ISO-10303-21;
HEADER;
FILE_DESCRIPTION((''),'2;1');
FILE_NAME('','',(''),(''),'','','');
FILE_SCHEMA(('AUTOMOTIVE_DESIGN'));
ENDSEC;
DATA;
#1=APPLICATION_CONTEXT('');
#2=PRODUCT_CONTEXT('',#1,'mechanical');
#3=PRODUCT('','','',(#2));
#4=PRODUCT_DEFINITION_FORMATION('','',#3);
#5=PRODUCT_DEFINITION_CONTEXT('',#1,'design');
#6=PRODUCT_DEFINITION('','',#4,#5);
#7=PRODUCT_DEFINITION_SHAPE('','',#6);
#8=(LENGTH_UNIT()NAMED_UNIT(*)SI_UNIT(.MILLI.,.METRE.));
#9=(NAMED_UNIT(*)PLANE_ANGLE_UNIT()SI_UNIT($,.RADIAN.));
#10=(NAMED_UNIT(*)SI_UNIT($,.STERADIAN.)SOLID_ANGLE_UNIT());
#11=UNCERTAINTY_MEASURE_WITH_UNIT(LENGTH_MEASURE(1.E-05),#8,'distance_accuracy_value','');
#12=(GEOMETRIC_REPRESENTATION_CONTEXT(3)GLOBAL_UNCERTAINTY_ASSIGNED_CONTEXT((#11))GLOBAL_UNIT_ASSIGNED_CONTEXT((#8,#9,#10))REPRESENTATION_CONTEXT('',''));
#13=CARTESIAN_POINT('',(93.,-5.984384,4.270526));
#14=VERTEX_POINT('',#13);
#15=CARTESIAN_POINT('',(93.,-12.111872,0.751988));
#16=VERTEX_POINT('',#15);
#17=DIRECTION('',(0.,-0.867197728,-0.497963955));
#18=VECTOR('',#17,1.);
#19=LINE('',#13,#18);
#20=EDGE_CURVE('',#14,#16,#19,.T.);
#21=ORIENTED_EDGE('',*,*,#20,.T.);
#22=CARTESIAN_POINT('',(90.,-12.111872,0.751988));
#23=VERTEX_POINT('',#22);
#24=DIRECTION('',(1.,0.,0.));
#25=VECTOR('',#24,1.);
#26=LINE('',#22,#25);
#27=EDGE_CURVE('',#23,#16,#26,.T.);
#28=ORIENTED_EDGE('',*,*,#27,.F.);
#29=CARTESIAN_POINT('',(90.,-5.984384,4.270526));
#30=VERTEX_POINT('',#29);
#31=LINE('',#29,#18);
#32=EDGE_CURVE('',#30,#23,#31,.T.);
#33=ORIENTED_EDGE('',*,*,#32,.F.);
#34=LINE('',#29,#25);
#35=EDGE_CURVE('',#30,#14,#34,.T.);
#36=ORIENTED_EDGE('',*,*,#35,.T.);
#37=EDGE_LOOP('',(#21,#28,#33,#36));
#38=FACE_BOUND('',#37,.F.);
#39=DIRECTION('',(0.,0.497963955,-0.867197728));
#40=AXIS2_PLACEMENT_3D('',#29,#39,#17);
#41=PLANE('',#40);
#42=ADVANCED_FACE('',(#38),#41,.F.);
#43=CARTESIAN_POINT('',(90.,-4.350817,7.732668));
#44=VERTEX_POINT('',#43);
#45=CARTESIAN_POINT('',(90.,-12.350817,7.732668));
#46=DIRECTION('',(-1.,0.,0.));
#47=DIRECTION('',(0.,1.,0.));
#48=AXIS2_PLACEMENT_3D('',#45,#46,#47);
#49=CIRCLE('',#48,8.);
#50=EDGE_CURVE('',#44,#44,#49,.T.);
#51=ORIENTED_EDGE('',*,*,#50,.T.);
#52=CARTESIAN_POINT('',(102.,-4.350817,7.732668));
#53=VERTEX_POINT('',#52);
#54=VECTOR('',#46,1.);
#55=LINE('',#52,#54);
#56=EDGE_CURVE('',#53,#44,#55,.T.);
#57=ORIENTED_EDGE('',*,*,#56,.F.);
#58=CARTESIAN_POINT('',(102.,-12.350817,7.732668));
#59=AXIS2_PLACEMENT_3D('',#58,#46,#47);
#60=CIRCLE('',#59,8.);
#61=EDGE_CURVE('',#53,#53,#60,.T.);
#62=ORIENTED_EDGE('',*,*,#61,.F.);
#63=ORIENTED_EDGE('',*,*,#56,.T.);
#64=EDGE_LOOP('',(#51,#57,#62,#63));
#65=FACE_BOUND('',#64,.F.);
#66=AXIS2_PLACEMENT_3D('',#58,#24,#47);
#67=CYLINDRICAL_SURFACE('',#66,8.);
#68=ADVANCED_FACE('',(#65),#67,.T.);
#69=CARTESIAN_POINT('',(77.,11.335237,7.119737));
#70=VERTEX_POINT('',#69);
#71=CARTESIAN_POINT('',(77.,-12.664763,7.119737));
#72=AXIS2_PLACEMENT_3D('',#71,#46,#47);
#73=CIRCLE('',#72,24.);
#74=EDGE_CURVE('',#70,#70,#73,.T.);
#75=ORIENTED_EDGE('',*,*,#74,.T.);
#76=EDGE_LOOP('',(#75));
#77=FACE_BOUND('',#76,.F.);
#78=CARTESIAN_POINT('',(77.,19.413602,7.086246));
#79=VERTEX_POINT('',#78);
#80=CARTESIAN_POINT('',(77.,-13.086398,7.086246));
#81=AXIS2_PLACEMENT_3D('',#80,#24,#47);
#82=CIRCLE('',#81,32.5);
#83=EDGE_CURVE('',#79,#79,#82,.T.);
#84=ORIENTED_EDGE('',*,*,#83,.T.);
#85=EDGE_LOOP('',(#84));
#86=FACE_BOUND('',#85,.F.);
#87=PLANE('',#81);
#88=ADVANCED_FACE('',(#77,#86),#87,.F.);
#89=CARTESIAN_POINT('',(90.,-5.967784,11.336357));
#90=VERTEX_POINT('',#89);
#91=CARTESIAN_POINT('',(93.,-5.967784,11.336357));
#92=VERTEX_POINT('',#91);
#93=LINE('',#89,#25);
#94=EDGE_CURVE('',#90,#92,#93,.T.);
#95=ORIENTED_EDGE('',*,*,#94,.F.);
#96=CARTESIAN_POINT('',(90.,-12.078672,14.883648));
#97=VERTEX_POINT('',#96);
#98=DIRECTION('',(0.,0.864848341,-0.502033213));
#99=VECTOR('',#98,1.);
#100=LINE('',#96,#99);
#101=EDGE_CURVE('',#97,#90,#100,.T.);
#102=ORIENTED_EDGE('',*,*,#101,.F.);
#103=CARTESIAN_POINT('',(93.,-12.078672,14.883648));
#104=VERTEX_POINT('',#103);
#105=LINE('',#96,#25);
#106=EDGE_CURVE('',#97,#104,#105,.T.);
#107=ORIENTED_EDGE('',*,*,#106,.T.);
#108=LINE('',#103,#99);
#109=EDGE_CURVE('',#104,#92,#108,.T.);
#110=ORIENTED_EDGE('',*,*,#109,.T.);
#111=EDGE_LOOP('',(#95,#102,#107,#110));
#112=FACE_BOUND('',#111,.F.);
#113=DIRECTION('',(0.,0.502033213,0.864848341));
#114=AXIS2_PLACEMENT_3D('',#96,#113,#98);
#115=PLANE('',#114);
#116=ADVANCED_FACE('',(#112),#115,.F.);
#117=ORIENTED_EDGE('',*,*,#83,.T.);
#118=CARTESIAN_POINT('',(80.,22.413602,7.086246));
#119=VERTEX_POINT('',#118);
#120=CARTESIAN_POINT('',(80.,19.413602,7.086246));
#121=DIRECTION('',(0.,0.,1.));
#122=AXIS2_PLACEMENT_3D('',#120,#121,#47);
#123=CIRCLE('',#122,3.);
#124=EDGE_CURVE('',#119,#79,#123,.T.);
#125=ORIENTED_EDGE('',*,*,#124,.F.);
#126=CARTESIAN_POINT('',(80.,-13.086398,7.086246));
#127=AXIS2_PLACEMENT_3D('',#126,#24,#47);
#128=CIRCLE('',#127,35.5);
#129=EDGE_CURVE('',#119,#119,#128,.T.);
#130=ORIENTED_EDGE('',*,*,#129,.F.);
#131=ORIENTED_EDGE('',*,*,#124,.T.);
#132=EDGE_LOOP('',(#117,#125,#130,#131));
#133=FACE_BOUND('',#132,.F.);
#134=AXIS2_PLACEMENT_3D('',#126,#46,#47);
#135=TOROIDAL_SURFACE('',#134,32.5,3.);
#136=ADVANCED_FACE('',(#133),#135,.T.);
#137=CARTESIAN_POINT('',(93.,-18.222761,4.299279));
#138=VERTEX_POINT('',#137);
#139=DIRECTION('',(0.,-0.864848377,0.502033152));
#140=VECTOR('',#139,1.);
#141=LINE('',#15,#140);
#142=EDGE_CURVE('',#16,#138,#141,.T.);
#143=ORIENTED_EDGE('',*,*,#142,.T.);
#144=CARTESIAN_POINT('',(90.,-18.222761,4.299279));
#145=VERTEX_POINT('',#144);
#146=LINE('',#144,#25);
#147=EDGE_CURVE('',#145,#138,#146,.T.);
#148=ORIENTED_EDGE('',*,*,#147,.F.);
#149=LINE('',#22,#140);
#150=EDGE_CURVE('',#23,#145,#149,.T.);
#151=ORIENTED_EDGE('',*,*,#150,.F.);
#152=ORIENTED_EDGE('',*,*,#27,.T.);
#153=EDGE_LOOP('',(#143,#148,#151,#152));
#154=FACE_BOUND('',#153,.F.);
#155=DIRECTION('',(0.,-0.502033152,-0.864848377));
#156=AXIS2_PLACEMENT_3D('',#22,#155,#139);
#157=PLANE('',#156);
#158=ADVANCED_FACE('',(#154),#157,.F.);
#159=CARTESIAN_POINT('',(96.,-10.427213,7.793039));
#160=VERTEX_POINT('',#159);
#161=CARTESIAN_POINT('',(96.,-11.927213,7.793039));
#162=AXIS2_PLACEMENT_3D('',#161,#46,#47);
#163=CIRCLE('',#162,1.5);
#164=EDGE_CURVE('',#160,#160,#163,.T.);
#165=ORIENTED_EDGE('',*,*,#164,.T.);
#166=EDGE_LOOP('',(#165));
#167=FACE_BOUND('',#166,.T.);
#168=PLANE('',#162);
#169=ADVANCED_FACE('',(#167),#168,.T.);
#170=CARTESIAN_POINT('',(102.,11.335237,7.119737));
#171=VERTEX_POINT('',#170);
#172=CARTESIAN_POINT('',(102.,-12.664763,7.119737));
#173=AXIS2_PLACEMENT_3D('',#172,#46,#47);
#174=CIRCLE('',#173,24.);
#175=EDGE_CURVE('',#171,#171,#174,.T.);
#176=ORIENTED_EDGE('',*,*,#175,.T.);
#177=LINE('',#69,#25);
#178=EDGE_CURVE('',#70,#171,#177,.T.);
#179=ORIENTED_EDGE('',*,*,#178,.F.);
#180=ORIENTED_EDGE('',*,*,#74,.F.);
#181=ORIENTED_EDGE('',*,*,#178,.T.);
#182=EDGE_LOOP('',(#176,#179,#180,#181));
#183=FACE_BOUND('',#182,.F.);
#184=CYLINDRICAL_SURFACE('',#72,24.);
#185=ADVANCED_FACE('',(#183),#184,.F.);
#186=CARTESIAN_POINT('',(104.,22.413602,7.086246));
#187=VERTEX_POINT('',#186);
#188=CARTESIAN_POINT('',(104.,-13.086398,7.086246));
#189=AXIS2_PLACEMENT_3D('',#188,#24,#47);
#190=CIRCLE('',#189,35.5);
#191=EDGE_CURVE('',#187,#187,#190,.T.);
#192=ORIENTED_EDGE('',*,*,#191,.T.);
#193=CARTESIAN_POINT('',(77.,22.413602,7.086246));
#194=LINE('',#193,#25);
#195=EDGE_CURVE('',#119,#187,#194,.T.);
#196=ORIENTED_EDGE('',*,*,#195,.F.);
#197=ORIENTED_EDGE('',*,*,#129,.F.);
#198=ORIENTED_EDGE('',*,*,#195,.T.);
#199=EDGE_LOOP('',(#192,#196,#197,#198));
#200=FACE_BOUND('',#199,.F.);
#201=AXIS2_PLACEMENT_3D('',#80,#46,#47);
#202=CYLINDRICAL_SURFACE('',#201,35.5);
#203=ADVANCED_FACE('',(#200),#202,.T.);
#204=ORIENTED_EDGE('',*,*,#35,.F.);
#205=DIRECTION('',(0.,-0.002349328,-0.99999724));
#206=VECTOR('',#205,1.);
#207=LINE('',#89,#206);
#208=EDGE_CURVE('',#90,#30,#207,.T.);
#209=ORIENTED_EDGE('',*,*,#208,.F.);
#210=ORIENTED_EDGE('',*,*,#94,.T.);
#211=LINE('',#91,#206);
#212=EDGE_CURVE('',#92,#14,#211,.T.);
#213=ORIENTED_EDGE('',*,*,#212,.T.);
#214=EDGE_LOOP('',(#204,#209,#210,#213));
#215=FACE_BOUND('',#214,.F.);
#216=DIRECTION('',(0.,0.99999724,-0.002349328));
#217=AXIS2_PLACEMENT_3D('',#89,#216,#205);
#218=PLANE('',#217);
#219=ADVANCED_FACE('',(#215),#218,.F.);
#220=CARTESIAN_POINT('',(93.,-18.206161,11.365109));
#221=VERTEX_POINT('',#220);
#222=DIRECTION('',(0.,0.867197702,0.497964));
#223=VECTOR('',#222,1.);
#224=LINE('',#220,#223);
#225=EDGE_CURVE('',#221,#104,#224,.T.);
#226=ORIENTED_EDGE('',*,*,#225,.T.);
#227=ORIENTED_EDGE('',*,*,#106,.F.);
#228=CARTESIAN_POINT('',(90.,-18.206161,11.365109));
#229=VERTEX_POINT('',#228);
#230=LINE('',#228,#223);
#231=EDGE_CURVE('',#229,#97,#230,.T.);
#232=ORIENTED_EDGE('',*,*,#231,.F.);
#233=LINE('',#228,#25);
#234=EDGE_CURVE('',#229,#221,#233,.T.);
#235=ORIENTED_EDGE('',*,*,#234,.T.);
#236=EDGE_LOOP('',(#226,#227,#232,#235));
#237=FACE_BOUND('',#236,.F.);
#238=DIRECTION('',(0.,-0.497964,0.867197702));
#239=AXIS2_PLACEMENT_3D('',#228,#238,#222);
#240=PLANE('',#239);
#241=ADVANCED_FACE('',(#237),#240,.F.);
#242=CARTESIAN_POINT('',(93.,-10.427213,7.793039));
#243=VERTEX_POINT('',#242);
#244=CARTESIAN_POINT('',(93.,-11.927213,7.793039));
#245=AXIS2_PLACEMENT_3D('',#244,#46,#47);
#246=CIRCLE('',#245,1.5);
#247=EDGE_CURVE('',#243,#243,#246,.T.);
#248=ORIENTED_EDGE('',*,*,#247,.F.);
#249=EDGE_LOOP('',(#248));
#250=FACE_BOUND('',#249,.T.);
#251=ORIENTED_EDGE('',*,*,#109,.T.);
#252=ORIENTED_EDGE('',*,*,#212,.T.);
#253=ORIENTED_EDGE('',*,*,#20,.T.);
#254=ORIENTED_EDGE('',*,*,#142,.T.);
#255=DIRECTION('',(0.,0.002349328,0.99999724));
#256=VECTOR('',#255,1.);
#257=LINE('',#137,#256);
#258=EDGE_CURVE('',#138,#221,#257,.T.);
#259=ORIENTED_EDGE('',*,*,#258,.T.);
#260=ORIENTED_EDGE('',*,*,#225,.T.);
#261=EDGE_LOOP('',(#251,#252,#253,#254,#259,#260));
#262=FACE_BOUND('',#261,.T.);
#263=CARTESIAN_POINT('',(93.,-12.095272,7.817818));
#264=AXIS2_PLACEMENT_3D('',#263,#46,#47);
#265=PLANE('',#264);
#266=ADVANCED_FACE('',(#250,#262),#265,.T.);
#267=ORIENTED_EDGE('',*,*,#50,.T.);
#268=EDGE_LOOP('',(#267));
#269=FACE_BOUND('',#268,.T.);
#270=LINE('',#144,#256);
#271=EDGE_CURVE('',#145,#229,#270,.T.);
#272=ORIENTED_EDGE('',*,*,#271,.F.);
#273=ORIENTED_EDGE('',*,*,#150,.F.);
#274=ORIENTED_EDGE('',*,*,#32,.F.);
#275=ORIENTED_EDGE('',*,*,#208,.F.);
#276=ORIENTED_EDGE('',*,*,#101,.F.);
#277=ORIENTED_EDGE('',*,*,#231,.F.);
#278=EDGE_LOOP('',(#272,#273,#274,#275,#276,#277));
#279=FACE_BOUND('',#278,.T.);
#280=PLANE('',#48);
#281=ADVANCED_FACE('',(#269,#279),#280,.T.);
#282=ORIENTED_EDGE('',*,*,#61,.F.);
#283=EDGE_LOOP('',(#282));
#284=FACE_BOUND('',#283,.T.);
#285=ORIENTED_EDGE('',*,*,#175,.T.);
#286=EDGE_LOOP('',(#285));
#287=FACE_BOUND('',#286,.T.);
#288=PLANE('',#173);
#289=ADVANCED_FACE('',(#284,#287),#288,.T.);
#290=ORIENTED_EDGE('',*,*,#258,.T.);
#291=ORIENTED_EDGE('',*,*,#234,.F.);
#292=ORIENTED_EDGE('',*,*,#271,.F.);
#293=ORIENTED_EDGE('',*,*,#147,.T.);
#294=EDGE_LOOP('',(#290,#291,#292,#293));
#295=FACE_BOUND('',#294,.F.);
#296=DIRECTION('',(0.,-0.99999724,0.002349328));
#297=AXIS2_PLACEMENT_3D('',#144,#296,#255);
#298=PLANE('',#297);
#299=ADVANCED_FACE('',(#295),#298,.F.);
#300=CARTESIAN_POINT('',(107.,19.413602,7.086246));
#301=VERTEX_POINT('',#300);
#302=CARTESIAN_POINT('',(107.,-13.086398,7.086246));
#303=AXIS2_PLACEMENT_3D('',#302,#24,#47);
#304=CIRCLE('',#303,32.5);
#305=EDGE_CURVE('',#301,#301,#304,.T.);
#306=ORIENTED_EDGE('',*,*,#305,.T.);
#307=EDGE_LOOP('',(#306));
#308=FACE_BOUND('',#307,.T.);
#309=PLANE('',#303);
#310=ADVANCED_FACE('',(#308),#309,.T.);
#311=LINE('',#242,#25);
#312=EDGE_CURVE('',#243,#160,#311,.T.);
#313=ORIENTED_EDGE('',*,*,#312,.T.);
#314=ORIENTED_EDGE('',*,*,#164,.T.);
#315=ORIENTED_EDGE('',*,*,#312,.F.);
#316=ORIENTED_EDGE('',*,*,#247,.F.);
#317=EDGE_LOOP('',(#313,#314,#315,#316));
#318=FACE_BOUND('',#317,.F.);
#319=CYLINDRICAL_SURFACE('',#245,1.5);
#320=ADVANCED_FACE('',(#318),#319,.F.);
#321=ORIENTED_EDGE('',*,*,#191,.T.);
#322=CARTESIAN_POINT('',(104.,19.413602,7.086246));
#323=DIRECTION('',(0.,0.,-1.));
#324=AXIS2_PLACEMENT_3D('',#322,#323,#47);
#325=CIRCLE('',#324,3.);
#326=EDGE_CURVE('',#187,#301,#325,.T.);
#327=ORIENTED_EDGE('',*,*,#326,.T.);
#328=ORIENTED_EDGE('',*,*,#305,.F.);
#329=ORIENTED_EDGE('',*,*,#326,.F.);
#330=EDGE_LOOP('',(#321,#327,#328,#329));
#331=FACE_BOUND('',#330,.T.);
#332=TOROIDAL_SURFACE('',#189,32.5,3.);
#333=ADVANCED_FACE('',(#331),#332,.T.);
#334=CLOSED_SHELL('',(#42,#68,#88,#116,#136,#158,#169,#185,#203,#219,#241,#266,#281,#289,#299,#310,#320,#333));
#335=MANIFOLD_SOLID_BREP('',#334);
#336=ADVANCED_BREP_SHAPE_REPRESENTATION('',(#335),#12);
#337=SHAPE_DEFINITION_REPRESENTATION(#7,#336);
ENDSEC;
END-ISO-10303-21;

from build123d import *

# Parameters (mm, degrees)
SKETCH030_R     = 35.5
PAD012_DEPTH    = 30
SKETCH031_R     = 24
POCKET_DEPTH    = 25
SKETCH032_R     = 8
PAD013_DEPTH    = 12
POCKET001_DEPTH = 3
SKETCH004_R     = 1.5
POCKET002_DEPTH = 3
FILLET016_R     = 3
FILLET017_R     = 3


with BuildPart() as part:
    # Sketch030 → Pad012 (new body)
    with BuildSketch(Plane.YZ):
        with Locations((-2.086398, 2.086246)):
            Circle(SKETCH030_R)
    extrude(amount=PAD012_DEPTH)

    # Sketch031 (on Face2 of Pad012) → Pocket (cut)
    with BuildSketch(Plane(origin=(0, 0, 0), x_dir=(0, 1, 0), z_dir=(-1, 0, 0))):
        with Locations((-1.664763, -2.119737)):
            Circle(SKETCH031_R)
    extrude(amount=-POCKET_DEPTH, mode=Mode.SUBTRACT)

    # Sketch032 (on Face5 of Pocket) → Pad013 (join)
    with BuildSketch(Plane(origin=(25, 0, 0), x_dir=(0, 1, 0), z_dir=(-1, 0, 0))):
        with Locations((-1.350817, -2.732668)):
            Circle(SKETCH032_R)
    extrude(amount=PAD013_DEPTH)

    # Sketch033 (on Face7 of Pad013) → Pocket001 (cut)
    with BuildSketch(Plane(origin=(13, 0, 0), x_dir=(0, 1, 0), z_dir=(-1, 0, 0))):
        Polygon((-1.111872, 4.248012), (-7.222761, 0.700721), (-7.206161, -6.365109), (-1.078672, -9.883648), (5.032216, -6.336357), (5.015616, 0.729474), align=None)
    extrude(amount=-POCKET001_DEPTH, mode=Mode.SUBTRACT)

    # Sketch004 (on Face14 of Pocket001) → Pocket002 (cut)
    with BuildSketch(Plane(origin=(16, 0, 0), x_dir=(0, 1, 0), z_dir=(-1, 0, 0))):
        with Locations((-0.927213, -2.793039)):
            Circle(SKETCH004_R)
    extrude(amount=-POCKET002_DEPTH, mode=Mode.SUBTRACT)

    # Fillet016
    fillet016_edges = [part.edges().sort_by_distance(p)[0] for p in [
        (0, -37.586398, 2.086246),
    ]]
    fillet(fillet016_edges, radius=FILLET016_R)

    # Fillet017
    fillet017_edges = [part.edges().sort_by_distance(p)[0] for p in [
        (30, -37.586398, 2.086246),
    ]]
    fillet(fillet017_edges, radius=FILLET017_R)


with BuildPart() as part_1:
    # Body001 placement: moved
    add(part.part.moved(Location((77, -11, 5))))


solid = part_1.part
